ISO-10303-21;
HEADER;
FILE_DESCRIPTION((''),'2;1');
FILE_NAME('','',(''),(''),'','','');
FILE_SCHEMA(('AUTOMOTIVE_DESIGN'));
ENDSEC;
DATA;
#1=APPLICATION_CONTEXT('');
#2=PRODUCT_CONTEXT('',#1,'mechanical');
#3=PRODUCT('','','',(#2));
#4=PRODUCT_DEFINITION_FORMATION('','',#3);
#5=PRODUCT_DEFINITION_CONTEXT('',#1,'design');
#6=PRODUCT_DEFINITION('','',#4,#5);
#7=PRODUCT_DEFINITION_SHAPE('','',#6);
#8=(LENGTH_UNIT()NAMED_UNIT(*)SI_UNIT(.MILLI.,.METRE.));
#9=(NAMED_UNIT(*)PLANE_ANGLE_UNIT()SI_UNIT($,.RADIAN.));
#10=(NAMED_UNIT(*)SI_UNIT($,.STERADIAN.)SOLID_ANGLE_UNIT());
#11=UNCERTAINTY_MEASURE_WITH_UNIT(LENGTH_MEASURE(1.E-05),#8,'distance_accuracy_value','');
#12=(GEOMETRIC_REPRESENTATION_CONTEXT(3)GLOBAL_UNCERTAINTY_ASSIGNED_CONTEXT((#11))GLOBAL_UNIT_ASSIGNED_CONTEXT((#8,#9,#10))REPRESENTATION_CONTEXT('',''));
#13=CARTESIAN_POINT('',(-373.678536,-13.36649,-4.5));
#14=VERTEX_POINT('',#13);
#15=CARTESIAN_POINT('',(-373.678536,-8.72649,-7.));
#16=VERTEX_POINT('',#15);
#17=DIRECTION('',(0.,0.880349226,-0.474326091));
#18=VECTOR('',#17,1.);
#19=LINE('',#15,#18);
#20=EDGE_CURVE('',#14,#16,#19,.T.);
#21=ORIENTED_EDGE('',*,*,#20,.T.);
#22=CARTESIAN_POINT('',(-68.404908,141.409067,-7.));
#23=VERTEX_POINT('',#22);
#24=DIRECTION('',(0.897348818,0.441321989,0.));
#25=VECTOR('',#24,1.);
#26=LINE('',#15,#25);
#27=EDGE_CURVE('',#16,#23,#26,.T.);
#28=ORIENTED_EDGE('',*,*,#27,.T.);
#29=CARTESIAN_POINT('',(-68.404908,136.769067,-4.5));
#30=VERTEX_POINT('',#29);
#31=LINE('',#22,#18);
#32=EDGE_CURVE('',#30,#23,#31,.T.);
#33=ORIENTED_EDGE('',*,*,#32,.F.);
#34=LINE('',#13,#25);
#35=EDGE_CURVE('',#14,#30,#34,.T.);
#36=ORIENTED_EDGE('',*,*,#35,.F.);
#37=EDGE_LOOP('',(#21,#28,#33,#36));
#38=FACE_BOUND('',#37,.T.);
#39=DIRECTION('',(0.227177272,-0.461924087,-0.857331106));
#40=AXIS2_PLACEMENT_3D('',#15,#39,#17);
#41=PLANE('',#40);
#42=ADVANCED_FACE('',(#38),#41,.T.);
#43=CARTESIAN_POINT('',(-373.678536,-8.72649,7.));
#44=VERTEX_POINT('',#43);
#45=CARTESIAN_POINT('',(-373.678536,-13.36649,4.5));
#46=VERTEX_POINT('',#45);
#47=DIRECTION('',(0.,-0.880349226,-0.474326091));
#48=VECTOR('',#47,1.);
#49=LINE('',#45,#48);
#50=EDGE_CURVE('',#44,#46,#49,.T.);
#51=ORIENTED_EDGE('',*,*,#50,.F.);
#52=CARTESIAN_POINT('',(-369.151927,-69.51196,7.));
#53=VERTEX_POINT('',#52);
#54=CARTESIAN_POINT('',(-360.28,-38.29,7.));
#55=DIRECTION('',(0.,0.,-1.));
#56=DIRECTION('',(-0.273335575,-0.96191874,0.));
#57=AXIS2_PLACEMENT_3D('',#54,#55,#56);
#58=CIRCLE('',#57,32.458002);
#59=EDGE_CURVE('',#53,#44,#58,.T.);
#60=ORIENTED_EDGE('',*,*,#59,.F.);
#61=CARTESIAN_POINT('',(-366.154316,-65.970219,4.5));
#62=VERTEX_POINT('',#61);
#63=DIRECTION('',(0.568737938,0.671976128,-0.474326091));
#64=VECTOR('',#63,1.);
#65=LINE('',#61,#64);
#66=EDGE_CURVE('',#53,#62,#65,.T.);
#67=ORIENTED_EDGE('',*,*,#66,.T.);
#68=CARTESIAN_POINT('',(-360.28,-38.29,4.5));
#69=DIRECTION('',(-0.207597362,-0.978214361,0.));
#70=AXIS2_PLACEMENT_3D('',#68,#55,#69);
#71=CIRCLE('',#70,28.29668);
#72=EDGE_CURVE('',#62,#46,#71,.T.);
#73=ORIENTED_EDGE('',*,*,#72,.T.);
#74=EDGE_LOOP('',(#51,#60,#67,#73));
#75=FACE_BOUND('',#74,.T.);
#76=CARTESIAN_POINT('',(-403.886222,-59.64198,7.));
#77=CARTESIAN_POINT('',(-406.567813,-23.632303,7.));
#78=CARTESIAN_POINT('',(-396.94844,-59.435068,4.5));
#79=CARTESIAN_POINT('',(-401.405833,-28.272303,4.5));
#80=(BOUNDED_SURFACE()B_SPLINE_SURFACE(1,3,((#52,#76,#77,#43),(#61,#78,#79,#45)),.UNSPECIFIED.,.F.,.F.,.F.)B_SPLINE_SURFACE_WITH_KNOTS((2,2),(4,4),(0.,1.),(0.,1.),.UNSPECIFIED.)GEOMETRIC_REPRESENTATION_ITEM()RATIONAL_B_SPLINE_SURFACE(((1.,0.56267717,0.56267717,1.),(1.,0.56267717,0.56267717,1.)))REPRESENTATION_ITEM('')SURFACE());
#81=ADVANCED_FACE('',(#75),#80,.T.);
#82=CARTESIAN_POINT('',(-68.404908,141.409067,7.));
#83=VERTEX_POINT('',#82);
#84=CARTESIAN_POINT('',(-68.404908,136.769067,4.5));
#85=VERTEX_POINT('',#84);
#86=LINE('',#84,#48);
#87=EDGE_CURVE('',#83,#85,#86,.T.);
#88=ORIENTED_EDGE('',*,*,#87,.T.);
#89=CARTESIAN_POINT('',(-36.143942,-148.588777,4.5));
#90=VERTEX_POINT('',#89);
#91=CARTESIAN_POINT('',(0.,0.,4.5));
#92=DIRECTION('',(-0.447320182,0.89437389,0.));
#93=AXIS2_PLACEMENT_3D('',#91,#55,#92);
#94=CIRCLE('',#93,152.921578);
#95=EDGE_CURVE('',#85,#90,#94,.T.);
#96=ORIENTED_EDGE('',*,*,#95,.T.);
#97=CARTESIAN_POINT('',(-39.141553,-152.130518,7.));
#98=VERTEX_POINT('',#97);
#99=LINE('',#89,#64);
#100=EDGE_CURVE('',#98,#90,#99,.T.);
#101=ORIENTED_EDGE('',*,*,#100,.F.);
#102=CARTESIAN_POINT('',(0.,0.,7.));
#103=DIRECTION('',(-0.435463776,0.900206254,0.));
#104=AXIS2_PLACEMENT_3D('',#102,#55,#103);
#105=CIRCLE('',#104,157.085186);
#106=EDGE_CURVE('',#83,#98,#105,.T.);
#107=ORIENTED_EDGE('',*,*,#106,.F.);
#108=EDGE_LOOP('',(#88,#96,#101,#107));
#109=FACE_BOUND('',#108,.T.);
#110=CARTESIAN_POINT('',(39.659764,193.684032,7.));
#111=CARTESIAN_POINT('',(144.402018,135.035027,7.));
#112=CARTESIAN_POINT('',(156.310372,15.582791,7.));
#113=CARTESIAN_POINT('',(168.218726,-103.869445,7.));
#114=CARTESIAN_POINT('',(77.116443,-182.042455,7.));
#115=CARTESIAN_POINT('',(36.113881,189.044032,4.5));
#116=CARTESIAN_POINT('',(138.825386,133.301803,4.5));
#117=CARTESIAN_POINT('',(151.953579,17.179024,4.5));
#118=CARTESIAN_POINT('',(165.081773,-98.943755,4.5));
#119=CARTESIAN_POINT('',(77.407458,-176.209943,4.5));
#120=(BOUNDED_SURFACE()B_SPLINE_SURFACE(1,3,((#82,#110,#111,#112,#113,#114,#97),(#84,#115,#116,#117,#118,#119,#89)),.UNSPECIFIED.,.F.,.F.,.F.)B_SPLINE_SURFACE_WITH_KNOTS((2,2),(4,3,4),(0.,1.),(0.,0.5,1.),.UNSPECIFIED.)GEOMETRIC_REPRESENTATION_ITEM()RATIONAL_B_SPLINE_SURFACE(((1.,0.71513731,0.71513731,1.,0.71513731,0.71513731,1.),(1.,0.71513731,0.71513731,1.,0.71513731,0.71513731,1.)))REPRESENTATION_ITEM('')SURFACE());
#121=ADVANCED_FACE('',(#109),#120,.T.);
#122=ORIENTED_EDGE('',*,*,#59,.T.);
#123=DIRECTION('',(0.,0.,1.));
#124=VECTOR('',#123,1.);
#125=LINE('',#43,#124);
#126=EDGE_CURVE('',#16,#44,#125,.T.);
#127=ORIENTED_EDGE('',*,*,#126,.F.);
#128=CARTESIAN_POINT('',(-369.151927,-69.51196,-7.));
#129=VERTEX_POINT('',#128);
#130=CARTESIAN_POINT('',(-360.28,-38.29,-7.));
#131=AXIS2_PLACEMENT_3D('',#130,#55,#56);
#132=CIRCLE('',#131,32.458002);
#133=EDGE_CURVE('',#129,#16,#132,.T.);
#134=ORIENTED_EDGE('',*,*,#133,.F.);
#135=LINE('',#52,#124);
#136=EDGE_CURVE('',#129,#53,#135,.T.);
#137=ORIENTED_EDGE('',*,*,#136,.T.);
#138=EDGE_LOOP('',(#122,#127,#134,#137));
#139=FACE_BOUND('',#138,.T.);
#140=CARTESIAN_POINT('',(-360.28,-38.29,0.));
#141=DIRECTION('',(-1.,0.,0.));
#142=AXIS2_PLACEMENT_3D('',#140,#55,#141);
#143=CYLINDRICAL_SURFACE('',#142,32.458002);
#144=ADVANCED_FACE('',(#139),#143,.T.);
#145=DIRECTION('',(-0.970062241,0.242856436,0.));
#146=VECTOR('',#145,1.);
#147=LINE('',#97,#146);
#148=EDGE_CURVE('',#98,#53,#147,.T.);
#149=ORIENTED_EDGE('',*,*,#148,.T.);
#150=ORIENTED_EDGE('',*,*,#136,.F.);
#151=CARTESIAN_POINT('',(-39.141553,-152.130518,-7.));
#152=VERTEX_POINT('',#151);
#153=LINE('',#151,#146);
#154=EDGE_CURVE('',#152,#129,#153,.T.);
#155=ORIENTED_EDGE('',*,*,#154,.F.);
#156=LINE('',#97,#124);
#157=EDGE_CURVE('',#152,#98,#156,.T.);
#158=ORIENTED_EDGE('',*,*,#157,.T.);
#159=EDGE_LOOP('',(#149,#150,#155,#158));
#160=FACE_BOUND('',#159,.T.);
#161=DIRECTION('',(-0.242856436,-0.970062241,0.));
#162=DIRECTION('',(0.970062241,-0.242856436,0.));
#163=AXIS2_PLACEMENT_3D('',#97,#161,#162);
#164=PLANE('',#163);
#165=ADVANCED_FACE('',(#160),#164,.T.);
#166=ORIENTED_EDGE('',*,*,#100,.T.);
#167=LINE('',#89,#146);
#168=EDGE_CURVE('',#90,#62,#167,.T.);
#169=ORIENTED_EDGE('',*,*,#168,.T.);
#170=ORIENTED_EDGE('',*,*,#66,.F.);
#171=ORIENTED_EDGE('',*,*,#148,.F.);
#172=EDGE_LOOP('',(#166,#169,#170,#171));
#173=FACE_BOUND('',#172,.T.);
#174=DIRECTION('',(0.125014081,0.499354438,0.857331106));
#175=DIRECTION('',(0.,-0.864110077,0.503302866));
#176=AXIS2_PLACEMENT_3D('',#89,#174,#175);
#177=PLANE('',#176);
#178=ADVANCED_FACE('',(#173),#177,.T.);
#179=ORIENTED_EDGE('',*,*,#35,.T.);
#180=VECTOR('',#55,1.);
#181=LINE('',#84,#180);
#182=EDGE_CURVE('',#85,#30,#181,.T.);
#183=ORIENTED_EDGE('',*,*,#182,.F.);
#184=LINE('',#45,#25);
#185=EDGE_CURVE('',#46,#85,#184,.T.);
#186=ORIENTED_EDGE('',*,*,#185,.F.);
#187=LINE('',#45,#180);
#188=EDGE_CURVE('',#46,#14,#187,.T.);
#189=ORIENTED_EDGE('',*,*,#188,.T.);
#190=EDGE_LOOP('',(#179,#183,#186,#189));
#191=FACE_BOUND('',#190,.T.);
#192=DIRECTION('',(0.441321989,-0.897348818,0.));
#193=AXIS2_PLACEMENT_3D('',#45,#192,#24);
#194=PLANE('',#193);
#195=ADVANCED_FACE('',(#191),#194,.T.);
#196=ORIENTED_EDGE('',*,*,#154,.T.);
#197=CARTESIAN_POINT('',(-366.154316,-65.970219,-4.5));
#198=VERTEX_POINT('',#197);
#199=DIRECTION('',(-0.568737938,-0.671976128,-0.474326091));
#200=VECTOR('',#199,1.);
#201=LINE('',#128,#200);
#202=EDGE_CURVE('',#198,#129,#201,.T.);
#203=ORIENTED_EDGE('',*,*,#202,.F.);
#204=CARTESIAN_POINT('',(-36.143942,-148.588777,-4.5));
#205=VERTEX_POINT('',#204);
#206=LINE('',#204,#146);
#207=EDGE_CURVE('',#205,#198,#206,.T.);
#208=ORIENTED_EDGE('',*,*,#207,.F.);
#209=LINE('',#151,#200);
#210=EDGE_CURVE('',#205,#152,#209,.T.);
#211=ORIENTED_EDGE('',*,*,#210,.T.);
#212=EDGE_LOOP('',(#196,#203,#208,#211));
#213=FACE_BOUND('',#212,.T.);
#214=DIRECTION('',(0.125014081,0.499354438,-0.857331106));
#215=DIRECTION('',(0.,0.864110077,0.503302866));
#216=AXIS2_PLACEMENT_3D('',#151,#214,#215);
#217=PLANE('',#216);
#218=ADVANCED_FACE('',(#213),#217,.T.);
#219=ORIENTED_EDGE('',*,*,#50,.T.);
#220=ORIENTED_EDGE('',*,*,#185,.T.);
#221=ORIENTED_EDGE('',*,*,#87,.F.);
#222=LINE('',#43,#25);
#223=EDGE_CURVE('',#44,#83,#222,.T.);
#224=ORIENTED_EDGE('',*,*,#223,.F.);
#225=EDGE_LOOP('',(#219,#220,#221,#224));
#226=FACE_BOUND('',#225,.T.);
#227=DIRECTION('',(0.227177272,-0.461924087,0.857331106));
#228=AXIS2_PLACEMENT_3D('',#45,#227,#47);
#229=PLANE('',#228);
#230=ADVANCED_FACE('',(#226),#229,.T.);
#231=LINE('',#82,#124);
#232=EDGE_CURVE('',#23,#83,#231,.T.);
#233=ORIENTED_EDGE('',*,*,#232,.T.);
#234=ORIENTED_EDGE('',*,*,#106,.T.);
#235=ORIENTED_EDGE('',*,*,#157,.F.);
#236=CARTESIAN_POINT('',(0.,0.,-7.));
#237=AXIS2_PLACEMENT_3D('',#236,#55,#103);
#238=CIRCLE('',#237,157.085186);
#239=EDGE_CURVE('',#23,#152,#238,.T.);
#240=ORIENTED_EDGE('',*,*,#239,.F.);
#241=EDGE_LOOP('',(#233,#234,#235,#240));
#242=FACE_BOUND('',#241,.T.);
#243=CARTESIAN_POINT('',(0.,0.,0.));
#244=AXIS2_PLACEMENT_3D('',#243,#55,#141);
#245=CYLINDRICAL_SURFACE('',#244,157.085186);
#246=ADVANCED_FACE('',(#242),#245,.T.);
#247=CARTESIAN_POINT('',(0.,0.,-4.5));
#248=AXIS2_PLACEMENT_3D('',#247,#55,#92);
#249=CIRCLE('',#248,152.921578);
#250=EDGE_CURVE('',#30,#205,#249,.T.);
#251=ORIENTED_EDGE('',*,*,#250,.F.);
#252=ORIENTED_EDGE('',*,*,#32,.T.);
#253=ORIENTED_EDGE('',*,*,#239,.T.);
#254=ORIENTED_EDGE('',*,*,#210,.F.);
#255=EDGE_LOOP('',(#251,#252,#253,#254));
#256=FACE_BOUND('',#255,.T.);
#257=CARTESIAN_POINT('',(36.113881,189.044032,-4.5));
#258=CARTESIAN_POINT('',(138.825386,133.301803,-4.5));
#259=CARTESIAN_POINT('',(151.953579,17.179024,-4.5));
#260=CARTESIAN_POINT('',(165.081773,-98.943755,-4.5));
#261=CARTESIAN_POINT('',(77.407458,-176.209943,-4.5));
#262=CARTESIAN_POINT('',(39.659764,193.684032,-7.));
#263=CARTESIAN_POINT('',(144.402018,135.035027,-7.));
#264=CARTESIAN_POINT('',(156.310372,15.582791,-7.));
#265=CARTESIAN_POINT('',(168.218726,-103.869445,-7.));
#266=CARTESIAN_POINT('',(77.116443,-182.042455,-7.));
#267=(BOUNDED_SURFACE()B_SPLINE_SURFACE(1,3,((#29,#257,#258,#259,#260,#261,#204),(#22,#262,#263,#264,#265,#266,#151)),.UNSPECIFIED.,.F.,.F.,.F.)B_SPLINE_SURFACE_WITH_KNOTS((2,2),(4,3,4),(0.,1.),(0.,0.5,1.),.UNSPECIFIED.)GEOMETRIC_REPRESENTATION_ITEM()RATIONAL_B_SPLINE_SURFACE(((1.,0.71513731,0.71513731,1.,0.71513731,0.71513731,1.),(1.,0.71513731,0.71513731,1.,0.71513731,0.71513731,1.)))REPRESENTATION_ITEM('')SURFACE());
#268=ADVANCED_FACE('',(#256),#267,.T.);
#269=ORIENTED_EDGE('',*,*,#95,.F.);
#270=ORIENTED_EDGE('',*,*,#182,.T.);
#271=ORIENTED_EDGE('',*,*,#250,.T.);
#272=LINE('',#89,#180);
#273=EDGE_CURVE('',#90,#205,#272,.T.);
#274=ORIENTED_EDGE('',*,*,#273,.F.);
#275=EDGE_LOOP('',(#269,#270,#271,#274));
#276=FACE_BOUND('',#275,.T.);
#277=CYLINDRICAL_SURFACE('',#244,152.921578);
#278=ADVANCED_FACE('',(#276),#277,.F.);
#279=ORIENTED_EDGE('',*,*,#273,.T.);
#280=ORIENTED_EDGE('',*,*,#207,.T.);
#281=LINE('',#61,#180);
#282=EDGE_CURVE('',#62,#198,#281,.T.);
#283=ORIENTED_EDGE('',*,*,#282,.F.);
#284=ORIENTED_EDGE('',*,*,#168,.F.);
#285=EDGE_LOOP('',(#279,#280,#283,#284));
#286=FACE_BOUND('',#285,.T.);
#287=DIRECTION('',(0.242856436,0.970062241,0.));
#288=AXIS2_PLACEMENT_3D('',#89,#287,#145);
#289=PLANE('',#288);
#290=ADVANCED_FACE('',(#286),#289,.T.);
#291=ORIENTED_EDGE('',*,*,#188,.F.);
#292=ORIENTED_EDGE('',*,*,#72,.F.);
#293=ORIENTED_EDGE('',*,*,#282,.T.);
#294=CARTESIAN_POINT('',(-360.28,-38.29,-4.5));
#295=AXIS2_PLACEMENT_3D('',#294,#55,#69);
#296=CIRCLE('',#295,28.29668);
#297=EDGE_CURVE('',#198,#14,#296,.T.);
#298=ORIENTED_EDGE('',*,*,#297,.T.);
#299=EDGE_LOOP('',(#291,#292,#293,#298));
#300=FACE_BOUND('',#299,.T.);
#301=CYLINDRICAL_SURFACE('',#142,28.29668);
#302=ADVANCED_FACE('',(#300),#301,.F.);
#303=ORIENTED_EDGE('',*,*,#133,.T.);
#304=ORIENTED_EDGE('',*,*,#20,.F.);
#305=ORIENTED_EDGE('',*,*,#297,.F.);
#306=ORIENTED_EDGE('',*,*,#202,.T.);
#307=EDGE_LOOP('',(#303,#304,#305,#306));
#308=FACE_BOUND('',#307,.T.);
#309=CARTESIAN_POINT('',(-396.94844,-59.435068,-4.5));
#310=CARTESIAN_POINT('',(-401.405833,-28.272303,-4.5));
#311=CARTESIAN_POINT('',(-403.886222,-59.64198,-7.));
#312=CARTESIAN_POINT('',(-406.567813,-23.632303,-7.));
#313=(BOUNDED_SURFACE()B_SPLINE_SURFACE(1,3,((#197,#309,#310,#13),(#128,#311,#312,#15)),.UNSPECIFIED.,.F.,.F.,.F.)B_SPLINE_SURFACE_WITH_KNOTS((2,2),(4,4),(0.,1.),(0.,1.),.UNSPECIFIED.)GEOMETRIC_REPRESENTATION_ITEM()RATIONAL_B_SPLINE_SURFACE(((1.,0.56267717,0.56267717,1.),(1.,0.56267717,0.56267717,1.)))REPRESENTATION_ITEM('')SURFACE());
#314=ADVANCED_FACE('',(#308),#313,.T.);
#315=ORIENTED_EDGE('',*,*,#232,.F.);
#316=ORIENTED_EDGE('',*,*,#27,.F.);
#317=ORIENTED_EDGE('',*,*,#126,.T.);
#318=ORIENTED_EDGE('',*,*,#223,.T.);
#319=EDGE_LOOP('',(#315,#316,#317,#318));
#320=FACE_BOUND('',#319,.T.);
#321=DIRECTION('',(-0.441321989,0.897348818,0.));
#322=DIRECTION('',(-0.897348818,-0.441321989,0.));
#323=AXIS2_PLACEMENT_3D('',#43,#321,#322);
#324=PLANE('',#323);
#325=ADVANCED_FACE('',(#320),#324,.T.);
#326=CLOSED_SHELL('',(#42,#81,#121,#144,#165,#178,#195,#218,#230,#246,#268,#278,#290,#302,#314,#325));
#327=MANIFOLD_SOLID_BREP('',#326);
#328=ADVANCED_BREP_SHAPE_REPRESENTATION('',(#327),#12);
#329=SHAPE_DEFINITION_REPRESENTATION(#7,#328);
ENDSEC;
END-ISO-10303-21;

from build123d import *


with BuildPart() as part:
    # Barrer1: sweep along a path in Croquis2
    with BuildLine(Plane.XY) as barrer1_path:
        Line((-37.642747593, -150.359647358), (-367.653121399, -67.741089637))
        ThreePointArc((-367.653121399, -67.741089637), (-390.469979201, -41.498544198), (-373.678535591, -11.046489873))
        Line((-373.678535591, -11.046489873), (-68.404908321, 139.089066852))
        ThreePointArc((-68.404908321, 139.089066852), (154.131975497, 16.380907466), (-37.642747593, -150.359647358))
    # Croquis3 → Barrer1 (sweep)
    with BuildSketch(Plane(origin=(-68.404908321, 0, 0), x_dir=(0, 0, -1), z_dir=(1, 0, 0))):
        Polygon((-4.5, 136.769066852), (4.5, 136.769066852), (7, 141.409066852), (-7, 141.409066852), align=None)
    sweep(path=barrer1_path.line)


solid = part.part
